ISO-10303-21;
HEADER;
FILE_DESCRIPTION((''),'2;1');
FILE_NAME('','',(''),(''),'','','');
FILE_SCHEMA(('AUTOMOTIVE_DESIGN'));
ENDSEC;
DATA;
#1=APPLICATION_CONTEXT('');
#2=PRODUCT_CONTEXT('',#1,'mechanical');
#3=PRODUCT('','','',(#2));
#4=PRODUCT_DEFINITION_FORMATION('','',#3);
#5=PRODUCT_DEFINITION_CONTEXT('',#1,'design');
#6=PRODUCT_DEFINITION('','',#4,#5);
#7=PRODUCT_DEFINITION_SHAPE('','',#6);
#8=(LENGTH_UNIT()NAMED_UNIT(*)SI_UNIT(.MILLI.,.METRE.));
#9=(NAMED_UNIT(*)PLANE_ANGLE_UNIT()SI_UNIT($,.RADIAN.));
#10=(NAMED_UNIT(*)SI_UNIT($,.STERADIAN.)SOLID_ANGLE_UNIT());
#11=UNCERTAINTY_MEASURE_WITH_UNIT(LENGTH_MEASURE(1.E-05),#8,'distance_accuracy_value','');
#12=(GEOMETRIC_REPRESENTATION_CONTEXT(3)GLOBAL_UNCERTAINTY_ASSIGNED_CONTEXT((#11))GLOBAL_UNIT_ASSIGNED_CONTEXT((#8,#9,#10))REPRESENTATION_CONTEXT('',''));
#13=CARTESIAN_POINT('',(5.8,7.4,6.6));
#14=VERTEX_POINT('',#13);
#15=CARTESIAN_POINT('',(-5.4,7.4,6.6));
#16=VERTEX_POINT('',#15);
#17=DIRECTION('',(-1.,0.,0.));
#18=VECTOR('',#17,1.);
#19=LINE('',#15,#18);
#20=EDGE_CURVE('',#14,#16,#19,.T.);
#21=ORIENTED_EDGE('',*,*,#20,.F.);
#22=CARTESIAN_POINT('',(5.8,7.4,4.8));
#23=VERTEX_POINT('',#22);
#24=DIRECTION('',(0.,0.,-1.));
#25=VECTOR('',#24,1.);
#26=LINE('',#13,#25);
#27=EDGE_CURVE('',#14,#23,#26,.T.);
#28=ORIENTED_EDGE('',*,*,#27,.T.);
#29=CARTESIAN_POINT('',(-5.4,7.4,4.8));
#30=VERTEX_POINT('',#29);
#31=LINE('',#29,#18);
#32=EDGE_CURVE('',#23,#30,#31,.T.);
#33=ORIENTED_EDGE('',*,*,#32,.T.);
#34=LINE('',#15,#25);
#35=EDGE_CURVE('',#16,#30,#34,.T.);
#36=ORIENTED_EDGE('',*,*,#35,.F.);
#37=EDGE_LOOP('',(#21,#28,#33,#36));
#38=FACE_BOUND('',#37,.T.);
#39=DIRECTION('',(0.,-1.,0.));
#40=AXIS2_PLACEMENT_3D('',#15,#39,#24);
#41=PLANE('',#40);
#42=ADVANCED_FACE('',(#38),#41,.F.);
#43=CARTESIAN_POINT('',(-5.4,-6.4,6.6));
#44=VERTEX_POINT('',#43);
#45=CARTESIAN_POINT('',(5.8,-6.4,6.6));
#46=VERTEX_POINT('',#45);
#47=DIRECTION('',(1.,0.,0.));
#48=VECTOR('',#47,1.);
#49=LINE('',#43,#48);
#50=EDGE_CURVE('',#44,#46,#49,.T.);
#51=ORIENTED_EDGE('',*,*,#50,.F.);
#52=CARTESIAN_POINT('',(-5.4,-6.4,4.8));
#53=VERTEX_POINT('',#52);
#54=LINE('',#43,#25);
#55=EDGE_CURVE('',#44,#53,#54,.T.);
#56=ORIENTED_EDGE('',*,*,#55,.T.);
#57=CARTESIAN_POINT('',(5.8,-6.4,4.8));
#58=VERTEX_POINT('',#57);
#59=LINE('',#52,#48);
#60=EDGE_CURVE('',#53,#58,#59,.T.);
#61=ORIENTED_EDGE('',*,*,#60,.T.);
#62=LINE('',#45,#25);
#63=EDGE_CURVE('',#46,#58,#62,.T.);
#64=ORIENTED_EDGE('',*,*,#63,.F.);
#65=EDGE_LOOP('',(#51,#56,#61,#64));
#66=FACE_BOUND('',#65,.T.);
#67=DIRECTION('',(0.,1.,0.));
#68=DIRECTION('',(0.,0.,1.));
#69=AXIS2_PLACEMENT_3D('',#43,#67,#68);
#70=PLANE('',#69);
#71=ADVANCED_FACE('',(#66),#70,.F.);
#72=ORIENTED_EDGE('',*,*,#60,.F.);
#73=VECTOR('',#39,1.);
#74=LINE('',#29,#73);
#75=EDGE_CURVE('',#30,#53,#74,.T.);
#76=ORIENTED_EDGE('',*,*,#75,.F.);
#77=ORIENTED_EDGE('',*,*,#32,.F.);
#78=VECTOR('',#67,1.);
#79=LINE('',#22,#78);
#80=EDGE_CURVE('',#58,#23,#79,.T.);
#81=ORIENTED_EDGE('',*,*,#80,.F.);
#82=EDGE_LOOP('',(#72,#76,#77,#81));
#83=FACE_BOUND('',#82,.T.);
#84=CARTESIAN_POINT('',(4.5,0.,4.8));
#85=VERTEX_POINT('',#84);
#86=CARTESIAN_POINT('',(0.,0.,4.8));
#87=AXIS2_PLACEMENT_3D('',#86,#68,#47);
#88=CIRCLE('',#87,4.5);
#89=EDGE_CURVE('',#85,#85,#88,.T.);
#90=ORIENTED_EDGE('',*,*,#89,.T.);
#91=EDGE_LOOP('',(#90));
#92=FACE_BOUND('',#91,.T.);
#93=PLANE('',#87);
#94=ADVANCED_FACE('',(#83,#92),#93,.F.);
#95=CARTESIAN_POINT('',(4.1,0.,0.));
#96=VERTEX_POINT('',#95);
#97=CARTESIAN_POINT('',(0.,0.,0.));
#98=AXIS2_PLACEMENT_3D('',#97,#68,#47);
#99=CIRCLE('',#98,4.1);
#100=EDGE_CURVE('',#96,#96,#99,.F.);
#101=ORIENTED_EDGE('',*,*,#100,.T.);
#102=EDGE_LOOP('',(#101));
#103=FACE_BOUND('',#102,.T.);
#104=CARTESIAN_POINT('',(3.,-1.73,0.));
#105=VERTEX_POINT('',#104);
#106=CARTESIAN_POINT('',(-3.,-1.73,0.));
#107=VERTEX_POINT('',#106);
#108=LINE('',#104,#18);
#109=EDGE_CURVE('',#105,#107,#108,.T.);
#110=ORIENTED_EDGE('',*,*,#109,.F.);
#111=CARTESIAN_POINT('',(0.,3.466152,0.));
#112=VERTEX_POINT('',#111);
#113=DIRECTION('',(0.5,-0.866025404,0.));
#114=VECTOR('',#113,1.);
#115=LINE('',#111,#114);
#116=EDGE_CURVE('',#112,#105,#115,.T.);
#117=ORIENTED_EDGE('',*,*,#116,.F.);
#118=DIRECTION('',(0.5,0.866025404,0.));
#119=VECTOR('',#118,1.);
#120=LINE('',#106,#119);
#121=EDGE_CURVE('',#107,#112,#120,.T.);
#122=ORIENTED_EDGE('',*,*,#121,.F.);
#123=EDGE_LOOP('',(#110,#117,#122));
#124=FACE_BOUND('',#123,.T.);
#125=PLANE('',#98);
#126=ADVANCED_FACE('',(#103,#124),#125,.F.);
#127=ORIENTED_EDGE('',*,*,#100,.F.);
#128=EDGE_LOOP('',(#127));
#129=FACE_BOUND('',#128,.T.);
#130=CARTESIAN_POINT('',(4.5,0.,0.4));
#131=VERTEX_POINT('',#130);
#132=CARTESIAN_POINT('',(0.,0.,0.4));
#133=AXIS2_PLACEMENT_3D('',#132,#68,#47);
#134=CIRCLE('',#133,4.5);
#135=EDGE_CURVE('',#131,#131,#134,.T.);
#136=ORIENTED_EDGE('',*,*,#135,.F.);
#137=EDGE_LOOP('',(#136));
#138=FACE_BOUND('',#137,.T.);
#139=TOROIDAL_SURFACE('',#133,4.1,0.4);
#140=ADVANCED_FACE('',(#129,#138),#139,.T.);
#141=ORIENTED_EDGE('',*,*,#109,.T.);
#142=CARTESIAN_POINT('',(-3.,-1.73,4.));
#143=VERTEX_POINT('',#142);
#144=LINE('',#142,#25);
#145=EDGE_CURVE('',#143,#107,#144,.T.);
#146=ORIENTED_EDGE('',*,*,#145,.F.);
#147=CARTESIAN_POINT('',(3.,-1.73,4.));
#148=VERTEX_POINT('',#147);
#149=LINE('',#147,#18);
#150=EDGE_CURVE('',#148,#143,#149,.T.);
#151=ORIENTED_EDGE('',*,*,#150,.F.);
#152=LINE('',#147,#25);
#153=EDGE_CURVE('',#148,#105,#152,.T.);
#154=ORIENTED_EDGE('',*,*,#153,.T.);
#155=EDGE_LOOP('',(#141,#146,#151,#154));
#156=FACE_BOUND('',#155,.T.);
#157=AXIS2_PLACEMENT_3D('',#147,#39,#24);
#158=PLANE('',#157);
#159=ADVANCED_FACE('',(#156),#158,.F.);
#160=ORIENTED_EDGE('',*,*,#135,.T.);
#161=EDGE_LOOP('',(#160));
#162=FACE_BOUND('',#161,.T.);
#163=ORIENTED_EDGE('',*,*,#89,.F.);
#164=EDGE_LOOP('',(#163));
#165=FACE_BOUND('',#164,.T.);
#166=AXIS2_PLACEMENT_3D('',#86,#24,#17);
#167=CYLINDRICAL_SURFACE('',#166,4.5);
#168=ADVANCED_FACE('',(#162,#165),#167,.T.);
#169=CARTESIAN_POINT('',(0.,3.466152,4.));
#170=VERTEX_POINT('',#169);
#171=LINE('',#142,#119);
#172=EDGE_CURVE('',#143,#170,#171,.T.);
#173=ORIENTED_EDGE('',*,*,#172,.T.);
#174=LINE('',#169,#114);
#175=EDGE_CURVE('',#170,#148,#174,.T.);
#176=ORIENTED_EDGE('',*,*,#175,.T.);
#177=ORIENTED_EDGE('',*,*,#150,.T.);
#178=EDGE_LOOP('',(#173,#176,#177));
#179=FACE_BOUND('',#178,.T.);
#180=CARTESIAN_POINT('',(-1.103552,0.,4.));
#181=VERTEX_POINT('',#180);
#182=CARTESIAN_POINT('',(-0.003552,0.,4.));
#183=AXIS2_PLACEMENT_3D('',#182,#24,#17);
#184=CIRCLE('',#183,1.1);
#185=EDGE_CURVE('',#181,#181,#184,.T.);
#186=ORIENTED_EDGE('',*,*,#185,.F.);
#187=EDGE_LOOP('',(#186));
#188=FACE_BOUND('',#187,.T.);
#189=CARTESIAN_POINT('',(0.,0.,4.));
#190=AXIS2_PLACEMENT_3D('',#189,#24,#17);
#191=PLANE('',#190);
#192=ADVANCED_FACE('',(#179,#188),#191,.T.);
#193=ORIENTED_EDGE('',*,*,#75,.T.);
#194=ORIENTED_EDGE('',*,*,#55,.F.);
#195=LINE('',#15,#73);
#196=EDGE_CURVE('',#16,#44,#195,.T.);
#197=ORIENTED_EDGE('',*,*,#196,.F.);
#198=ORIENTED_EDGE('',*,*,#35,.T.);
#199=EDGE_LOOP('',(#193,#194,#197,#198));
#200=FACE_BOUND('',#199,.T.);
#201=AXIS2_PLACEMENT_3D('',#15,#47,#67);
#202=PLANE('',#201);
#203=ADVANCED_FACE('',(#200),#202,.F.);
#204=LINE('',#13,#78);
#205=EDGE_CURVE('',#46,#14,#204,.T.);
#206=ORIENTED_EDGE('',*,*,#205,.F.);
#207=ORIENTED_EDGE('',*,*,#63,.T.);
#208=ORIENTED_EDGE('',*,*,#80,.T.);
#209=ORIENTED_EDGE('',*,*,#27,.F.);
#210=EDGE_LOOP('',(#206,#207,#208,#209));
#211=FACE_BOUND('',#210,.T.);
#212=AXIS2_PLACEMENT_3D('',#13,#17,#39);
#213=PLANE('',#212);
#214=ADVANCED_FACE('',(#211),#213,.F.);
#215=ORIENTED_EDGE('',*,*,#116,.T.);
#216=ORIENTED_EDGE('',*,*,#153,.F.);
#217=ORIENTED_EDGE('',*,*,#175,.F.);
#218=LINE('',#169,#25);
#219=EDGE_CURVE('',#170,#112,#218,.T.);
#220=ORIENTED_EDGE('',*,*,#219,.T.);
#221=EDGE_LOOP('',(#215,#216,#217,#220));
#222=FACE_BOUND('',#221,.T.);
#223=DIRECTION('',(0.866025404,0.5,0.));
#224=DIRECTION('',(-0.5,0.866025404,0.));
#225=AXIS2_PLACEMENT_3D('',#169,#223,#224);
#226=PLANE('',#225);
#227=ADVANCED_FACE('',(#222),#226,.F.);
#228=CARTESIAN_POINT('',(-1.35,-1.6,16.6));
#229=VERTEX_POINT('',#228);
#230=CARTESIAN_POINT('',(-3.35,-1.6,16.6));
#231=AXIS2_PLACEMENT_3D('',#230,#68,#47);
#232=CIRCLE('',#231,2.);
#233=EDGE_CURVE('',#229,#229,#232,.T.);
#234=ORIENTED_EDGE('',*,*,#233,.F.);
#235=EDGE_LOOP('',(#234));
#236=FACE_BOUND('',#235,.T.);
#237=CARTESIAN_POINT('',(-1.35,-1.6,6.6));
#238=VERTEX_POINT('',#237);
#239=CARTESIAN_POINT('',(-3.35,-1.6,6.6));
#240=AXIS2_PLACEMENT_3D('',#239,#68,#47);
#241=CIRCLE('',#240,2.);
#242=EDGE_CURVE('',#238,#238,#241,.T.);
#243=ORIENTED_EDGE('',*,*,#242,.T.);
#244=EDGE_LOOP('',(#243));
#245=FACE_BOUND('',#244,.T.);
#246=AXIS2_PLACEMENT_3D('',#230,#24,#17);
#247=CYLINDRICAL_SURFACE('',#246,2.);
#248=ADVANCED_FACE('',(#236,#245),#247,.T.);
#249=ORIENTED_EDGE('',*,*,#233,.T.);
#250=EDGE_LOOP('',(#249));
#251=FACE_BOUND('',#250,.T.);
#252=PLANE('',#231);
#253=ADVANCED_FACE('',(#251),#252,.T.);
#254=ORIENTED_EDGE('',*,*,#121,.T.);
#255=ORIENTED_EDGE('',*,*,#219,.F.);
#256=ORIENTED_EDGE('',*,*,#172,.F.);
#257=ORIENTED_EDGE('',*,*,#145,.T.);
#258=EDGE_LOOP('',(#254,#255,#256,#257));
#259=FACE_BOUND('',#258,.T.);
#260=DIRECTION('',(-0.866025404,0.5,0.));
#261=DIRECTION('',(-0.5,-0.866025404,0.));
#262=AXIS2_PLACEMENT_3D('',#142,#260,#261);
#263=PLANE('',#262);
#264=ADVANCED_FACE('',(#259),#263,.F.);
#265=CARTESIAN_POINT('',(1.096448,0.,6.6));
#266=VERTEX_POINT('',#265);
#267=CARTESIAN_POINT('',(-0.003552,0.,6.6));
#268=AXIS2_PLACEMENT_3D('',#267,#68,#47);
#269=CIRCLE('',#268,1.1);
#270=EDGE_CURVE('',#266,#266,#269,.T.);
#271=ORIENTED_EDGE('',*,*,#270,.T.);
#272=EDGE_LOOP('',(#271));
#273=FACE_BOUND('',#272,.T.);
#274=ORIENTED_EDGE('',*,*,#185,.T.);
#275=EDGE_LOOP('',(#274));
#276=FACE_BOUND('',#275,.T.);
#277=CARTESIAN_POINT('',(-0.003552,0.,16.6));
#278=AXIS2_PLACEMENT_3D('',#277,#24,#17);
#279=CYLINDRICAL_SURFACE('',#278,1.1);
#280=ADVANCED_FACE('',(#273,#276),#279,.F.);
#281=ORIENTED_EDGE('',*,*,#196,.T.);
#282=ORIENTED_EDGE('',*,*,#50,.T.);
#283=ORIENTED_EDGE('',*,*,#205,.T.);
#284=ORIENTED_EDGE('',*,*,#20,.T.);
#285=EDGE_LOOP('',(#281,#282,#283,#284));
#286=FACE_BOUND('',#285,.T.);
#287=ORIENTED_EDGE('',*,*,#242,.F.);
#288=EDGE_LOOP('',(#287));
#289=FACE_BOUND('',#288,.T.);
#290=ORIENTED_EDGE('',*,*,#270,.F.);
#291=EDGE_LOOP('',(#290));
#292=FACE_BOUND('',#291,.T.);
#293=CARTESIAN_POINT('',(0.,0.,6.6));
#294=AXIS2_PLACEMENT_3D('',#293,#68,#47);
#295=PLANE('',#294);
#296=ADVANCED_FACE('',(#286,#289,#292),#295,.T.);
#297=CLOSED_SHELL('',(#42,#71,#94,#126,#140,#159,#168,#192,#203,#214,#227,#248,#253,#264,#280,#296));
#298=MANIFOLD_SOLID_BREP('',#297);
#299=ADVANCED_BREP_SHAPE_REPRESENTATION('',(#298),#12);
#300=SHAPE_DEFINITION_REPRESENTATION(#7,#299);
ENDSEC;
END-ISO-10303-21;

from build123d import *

# Parameters (mm, degrees)
SKETCH_1_R          = 4.5
EXTRUDE_1_DEPTH     = 4.8
SKETCH_2_W          = 11.2
SKETCH_2_H          = 13.8
EXTRUDE_2_DEPTH     = 1.8
FILLET_1_R          = 0.4
SKETCH_4_R          = 2
EXTRUDE_3_DEPTH     = 10
CUT_EXTRUDE_1_DEPTH = 4
SKETCH_7_R          = 1.1
CUT_EXTRUDE_2_DEPTH = 16.7213231


with BuildPart() as part:
    # Эскиз1 → Бобышка-Вытянуть1 (new body)
    with BuildSketch(Plane.XY):
        Circle(SKETCH_1_R)
    extrude(amount=EXTRUDE_1_DEPTH)

    # Эскиз2 → Бобышка-Вытянуть2 (add)
    with BuildSketch(Plane.XY.offset(4.8)):
        with Locations((0.2, 0.5)):
            Rectangle(SKETCH_2_W, SKETCH_2_H)
    extrude(amount=EXTRUDE_2_DEPTH)

    # Скругление1
    fillet_1_edges = [part.edges().sort_by_distance(p)[0] for p in [
        (-4.5, 0, 0),
    ]]
    fillet(fillet_1_edges, radius=FILLET_1_R)

    # Эскиз4 → Бобышка-Вытянуть3 (add)
    with BuildSketch(Plane.XY.offset(6.6)):
        with Locations((-3.35, -1.6)):
            Circle(SKETCH_4_R)
    extrude(amount=EXTRUDE_3_DEPTH)

    # Эскиз3 → Вырез-Вытянуть1 (cut)
    with BuildSketch(Plane(origin=(0, 0, 0), x_dir=(-1, 0, 0), z_dir=(0, 0, -1))):
        Polygon((-3, -1.73), (3, -1.73), (0, 3.466152423), align=None)
    extrude(amount=-CUT_EXTRUDE_1_DEPTH, mode=Mode.SUBTRACT)

    # Эскиз7 → Вырез-Вытянуть2 (cut, through all)
    with BuildSketch(Plane(origin=(0, 0, 4), x_dir=(-1, 0, 0), z_dir=(0, 0, -1))):
        with Locations((0.003552103, 0)):
            Circle(SKETCH_7_R)
    extrude(amount=-CUT_EXTRUDE_2_DEPTH, mode=Mode.SUBTRACT)


solid = part.part
